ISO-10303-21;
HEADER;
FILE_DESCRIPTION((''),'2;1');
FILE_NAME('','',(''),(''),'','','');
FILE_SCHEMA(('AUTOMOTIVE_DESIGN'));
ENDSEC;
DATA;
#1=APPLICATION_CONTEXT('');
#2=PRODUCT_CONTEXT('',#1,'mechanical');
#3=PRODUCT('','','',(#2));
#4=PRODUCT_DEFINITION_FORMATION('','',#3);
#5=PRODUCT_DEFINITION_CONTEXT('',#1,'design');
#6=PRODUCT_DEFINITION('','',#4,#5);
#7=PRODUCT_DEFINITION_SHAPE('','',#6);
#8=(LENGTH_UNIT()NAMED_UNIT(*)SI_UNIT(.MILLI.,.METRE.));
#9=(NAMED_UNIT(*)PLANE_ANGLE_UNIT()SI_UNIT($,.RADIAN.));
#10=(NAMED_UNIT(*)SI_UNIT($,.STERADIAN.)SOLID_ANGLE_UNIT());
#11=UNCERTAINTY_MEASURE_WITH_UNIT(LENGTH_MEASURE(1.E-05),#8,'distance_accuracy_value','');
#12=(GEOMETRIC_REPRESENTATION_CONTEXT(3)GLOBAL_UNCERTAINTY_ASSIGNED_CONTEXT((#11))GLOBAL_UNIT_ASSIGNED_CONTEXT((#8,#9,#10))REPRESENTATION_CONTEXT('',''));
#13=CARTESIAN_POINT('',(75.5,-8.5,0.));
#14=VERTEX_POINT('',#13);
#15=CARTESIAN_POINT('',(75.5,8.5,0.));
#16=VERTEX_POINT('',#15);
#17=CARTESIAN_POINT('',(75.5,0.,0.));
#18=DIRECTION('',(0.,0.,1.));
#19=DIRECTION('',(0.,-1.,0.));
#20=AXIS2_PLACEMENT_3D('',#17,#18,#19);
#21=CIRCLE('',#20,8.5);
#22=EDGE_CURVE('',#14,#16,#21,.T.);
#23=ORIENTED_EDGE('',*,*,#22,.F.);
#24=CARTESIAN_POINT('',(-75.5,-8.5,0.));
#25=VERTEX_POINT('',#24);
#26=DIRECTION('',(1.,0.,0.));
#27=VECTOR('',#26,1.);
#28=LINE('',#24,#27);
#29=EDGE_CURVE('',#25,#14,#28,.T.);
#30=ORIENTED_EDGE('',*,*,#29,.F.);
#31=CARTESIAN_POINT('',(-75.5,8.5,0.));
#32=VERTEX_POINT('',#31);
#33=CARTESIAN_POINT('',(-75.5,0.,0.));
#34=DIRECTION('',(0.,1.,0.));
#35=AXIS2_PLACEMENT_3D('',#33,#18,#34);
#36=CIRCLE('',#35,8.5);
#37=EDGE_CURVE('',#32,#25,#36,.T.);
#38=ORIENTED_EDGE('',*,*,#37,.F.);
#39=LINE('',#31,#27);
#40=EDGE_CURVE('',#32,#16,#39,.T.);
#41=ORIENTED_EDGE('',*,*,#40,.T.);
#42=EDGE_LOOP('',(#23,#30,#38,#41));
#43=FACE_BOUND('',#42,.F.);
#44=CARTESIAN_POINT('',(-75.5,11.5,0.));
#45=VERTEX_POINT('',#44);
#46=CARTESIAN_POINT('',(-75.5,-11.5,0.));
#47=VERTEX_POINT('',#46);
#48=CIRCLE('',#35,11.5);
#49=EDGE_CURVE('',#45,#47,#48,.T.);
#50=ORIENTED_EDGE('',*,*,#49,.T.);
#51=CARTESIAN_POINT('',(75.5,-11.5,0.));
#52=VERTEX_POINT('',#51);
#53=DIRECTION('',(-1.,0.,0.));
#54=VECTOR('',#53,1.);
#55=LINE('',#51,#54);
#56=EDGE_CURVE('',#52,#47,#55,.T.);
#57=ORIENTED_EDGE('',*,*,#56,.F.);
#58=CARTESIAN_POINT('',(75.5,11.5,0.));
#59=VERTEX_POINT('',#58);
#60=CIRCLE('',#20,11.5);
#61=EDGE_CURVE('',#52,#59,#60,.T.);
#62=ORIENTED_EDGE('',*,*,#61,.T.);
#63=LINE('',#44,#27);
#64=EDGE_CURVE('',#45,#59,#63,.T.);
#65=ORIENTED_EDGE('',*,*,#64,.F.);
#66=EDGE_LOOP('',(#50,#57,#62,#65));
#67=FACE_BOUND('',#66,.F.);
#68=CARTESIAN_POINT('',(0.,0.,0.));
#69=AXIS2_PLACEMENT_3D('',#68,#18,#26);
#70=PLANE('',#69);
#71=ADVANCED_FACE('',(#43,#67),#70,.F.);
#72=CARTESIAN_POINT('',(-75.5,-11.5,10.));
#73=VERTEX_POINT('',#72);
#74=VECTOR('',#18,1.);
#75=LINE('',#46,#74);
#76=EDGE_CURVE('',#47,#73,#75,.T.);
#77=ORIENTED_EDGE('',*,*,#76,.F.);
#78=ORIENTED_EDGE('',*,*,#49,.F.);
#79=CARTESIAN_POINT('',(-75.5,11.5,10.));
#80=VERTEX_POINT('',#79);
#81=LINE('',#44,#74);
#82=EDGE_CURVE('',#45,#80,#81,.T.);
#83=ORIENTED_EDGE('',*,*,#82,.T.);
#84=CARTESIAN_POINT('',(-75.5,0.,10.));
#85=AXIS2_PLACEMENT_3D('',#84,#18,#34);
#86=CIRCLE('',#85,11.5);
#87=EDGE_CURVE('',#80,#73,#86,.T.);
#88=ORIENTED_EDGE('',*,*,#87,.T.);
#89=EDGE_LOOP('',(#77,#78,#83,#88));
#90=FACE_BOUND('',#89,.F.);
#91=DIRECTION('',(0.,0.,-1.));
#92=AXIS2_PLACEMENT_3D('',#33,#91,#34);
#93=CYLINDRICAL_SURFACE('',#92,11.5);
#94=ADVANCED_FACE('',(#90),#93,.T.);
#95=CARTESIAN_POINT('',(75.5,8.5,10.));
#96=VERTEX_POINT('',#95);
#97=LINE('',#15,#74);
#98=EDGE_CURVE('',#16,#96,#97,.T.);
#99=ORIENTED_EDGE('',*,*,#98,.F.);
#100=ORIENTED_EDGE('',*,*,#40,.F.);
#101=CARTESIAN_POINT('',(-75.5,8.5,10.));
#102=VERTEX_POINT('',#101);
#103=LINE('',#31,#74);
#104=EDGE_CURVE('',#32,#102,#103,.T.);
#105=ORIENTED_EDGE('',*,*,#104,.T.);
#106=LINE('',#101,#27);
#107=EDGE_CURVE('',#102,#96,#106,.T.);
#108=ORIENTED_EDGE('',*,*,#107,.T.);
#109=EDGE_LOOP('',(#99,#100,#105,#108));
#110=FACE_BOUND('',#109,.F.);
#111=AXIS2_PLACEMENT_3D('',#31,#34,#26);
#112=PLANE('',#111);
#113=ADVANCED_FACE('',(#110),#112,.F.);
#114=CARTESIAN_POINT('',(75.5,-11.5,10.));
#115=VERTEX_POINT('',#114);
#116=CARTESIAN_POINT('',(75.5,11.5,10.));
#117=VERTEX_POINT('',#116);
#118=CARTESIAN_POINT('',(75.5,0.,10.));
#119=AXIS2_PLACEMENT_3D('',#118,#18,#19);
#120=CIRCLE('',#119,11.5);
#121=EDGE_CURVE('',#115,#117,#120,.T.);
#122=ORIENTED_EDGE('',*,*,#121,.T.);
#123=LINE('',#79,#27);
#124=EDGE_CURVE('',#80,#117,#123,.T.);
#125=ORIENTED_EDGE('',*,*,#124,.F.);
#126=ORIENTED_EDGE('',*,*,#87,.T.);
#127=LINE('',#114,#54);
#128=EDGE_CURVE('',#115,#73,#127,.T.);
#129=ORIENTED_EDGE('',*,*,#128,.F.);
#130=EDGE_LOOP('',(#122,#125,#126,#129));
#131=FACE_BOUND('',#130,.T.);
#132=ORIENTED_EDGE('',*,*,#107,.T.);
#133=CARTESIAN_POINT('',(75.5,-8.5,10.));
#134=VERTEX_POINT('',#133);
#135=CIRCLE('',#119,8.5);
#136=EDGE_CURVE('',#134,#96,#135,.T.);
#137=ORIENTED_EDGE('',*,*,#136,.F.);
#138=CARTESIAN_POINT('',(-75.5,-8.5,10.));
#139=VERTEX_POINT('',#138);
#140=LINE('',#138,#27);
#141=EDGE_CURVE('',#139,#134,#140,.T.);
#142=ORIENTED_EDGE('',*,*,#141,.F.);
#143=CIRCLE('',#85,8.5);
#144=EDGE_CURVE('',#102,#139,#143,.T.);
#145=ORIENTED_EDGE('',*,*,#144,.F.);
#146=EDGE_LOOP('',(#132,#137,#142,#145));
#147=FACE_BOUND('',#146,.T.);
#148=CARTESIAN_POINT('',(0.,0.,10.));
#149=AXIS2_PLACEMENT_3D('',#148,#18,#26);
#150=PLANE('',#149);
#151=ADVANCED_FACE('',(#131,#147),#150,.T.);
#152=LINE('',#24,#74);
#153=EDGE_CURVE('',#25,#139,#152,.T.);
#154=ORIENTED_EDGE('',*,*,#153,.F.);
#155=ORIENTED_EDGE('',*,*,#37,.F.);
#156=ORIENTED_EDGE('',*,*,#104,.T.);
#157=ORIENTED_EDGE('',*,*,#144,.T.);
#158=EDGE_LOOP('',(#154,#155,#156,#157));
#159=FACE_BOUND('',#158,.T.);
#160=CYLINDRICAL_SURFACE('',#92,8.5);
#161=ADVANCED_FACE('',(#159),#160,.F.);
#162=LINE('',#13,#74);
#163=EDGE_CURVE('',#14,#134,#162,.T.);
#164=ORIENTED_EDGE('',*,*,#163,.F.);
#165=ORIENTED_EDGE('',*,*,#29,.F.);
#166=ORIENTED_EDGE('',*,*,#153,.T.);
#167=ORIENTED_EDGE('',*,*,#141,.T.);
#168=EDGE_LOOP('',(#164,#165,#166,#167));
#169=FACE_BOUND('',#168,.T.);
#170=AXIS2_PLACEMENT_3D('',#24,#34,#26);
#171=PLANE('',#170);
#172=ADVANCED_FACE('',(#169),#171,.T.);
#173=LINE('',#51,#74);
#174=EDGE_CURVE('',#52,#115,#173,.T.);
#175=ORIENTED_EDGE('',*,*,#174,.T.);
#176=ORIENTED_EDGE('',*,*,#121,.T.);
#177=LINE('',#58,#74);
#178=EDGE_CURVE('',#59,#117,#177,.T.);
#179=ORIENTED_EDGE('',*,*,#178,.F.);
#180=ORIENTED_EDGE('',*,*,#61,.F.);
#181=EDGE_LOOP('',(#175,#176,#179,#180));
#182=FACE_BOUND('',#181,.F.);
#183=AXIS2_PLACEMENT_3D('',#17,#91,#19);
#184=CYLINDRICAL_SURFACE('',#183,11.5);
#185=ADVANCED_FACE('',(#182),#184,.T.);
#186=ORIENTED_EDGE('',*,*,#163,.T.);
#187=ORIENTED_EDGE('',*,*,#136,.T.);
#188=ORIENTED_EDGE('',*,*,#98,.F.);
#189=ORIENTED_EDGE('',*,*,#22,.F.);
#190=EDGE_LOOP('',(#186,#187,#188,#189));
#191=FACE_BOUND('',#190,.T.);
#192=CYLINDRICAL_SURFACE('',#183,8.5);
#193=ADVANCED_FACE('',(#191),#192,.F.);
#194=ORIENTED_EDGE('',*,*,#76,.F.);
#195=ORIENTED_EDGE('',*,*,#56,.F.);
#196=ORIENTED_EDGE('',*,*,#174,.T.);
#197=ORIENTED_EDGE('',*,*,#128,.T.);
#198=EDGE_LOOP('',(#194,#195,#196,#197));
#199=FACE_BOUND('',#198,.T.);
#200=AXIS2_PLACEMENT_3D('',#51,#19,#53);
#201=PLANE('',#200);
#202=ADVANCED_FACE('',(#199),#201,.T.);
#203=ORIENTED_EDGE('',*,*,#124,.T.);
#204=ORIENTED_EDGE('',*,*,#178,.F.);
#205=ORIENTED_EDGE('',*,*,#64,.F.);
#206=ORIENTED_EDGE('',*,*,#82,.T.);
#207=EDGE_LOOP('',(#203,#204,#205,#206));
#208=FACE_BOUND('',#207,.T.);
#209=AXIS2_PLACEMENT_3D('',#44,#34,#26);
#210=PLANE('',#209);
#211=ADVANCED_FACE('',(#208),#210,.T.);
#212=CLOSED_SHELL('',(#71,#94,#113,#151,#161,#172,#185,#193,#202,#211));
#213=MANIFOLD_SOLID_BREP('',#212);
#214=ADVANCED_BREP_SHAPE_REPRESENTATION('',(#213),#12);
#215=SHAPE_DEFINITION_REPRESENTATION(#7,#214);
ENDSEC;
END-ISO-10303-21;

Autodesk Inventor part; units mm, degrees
ref_plane "YZ Plane" through (0, 0, 0) normal (1, 0, 0) x (0, 1, 0)
ref_plane "XZ Plane" through (0, 0, 0) normal (0, 1, 0) x (-1, 0, 0)
ref_plane "XY Plane" through (0, 0, 0) normal (0, 0, 1) x (1, 0, 0)
sketch "Sketch1" plane through (0, 0, 0) normal (0, 0, 1) x (1, 0, 0)
  line L0 (-75.5, 11.5) -> (75.5, 11.5)
  line L1 (75.5, -11.5) -> (-75.5, -11.5)
  arc A0 (-75.5, 11.5) -> (-75.5, -11.5) centre (-75.5, 0) ccw
  arc A1 (75.5, -11.5) -> (75.5, 11.5) centre (75.5, 0) ccw
  line L2 (-75.5, 8.5) -> (75.5, 8.5)
  line L3 (-75.5, -8.5) -> (75.5, -8.5)
  arc A2 (-75.5, 8.5) -> (-75.5, -8.5) centre (-75.5, 0) ccw
  arc A3 (75.5, -8.5) -> (75.5, 8.5) centre (75.5, 0) ccw
  point P0 (0, 0)
  point P1 (0, 8.5)
  point P2 (0, 11.5)
  dimension "d0" = 151
  dimension "d1" = 23
  dimension "d2" = 3
  dimension "d3" = 3
  dimension "d4" = 11.5
  dimension "d5" = 8.5
  dimension "d7" = 8.5
  dimension "d8" = 151
  dimension "d9" = 151
extrude "Extrusion1" add sketch "Sketch1" along normal blind 10
properties part number "faja" material "Rubber, Silicone"
